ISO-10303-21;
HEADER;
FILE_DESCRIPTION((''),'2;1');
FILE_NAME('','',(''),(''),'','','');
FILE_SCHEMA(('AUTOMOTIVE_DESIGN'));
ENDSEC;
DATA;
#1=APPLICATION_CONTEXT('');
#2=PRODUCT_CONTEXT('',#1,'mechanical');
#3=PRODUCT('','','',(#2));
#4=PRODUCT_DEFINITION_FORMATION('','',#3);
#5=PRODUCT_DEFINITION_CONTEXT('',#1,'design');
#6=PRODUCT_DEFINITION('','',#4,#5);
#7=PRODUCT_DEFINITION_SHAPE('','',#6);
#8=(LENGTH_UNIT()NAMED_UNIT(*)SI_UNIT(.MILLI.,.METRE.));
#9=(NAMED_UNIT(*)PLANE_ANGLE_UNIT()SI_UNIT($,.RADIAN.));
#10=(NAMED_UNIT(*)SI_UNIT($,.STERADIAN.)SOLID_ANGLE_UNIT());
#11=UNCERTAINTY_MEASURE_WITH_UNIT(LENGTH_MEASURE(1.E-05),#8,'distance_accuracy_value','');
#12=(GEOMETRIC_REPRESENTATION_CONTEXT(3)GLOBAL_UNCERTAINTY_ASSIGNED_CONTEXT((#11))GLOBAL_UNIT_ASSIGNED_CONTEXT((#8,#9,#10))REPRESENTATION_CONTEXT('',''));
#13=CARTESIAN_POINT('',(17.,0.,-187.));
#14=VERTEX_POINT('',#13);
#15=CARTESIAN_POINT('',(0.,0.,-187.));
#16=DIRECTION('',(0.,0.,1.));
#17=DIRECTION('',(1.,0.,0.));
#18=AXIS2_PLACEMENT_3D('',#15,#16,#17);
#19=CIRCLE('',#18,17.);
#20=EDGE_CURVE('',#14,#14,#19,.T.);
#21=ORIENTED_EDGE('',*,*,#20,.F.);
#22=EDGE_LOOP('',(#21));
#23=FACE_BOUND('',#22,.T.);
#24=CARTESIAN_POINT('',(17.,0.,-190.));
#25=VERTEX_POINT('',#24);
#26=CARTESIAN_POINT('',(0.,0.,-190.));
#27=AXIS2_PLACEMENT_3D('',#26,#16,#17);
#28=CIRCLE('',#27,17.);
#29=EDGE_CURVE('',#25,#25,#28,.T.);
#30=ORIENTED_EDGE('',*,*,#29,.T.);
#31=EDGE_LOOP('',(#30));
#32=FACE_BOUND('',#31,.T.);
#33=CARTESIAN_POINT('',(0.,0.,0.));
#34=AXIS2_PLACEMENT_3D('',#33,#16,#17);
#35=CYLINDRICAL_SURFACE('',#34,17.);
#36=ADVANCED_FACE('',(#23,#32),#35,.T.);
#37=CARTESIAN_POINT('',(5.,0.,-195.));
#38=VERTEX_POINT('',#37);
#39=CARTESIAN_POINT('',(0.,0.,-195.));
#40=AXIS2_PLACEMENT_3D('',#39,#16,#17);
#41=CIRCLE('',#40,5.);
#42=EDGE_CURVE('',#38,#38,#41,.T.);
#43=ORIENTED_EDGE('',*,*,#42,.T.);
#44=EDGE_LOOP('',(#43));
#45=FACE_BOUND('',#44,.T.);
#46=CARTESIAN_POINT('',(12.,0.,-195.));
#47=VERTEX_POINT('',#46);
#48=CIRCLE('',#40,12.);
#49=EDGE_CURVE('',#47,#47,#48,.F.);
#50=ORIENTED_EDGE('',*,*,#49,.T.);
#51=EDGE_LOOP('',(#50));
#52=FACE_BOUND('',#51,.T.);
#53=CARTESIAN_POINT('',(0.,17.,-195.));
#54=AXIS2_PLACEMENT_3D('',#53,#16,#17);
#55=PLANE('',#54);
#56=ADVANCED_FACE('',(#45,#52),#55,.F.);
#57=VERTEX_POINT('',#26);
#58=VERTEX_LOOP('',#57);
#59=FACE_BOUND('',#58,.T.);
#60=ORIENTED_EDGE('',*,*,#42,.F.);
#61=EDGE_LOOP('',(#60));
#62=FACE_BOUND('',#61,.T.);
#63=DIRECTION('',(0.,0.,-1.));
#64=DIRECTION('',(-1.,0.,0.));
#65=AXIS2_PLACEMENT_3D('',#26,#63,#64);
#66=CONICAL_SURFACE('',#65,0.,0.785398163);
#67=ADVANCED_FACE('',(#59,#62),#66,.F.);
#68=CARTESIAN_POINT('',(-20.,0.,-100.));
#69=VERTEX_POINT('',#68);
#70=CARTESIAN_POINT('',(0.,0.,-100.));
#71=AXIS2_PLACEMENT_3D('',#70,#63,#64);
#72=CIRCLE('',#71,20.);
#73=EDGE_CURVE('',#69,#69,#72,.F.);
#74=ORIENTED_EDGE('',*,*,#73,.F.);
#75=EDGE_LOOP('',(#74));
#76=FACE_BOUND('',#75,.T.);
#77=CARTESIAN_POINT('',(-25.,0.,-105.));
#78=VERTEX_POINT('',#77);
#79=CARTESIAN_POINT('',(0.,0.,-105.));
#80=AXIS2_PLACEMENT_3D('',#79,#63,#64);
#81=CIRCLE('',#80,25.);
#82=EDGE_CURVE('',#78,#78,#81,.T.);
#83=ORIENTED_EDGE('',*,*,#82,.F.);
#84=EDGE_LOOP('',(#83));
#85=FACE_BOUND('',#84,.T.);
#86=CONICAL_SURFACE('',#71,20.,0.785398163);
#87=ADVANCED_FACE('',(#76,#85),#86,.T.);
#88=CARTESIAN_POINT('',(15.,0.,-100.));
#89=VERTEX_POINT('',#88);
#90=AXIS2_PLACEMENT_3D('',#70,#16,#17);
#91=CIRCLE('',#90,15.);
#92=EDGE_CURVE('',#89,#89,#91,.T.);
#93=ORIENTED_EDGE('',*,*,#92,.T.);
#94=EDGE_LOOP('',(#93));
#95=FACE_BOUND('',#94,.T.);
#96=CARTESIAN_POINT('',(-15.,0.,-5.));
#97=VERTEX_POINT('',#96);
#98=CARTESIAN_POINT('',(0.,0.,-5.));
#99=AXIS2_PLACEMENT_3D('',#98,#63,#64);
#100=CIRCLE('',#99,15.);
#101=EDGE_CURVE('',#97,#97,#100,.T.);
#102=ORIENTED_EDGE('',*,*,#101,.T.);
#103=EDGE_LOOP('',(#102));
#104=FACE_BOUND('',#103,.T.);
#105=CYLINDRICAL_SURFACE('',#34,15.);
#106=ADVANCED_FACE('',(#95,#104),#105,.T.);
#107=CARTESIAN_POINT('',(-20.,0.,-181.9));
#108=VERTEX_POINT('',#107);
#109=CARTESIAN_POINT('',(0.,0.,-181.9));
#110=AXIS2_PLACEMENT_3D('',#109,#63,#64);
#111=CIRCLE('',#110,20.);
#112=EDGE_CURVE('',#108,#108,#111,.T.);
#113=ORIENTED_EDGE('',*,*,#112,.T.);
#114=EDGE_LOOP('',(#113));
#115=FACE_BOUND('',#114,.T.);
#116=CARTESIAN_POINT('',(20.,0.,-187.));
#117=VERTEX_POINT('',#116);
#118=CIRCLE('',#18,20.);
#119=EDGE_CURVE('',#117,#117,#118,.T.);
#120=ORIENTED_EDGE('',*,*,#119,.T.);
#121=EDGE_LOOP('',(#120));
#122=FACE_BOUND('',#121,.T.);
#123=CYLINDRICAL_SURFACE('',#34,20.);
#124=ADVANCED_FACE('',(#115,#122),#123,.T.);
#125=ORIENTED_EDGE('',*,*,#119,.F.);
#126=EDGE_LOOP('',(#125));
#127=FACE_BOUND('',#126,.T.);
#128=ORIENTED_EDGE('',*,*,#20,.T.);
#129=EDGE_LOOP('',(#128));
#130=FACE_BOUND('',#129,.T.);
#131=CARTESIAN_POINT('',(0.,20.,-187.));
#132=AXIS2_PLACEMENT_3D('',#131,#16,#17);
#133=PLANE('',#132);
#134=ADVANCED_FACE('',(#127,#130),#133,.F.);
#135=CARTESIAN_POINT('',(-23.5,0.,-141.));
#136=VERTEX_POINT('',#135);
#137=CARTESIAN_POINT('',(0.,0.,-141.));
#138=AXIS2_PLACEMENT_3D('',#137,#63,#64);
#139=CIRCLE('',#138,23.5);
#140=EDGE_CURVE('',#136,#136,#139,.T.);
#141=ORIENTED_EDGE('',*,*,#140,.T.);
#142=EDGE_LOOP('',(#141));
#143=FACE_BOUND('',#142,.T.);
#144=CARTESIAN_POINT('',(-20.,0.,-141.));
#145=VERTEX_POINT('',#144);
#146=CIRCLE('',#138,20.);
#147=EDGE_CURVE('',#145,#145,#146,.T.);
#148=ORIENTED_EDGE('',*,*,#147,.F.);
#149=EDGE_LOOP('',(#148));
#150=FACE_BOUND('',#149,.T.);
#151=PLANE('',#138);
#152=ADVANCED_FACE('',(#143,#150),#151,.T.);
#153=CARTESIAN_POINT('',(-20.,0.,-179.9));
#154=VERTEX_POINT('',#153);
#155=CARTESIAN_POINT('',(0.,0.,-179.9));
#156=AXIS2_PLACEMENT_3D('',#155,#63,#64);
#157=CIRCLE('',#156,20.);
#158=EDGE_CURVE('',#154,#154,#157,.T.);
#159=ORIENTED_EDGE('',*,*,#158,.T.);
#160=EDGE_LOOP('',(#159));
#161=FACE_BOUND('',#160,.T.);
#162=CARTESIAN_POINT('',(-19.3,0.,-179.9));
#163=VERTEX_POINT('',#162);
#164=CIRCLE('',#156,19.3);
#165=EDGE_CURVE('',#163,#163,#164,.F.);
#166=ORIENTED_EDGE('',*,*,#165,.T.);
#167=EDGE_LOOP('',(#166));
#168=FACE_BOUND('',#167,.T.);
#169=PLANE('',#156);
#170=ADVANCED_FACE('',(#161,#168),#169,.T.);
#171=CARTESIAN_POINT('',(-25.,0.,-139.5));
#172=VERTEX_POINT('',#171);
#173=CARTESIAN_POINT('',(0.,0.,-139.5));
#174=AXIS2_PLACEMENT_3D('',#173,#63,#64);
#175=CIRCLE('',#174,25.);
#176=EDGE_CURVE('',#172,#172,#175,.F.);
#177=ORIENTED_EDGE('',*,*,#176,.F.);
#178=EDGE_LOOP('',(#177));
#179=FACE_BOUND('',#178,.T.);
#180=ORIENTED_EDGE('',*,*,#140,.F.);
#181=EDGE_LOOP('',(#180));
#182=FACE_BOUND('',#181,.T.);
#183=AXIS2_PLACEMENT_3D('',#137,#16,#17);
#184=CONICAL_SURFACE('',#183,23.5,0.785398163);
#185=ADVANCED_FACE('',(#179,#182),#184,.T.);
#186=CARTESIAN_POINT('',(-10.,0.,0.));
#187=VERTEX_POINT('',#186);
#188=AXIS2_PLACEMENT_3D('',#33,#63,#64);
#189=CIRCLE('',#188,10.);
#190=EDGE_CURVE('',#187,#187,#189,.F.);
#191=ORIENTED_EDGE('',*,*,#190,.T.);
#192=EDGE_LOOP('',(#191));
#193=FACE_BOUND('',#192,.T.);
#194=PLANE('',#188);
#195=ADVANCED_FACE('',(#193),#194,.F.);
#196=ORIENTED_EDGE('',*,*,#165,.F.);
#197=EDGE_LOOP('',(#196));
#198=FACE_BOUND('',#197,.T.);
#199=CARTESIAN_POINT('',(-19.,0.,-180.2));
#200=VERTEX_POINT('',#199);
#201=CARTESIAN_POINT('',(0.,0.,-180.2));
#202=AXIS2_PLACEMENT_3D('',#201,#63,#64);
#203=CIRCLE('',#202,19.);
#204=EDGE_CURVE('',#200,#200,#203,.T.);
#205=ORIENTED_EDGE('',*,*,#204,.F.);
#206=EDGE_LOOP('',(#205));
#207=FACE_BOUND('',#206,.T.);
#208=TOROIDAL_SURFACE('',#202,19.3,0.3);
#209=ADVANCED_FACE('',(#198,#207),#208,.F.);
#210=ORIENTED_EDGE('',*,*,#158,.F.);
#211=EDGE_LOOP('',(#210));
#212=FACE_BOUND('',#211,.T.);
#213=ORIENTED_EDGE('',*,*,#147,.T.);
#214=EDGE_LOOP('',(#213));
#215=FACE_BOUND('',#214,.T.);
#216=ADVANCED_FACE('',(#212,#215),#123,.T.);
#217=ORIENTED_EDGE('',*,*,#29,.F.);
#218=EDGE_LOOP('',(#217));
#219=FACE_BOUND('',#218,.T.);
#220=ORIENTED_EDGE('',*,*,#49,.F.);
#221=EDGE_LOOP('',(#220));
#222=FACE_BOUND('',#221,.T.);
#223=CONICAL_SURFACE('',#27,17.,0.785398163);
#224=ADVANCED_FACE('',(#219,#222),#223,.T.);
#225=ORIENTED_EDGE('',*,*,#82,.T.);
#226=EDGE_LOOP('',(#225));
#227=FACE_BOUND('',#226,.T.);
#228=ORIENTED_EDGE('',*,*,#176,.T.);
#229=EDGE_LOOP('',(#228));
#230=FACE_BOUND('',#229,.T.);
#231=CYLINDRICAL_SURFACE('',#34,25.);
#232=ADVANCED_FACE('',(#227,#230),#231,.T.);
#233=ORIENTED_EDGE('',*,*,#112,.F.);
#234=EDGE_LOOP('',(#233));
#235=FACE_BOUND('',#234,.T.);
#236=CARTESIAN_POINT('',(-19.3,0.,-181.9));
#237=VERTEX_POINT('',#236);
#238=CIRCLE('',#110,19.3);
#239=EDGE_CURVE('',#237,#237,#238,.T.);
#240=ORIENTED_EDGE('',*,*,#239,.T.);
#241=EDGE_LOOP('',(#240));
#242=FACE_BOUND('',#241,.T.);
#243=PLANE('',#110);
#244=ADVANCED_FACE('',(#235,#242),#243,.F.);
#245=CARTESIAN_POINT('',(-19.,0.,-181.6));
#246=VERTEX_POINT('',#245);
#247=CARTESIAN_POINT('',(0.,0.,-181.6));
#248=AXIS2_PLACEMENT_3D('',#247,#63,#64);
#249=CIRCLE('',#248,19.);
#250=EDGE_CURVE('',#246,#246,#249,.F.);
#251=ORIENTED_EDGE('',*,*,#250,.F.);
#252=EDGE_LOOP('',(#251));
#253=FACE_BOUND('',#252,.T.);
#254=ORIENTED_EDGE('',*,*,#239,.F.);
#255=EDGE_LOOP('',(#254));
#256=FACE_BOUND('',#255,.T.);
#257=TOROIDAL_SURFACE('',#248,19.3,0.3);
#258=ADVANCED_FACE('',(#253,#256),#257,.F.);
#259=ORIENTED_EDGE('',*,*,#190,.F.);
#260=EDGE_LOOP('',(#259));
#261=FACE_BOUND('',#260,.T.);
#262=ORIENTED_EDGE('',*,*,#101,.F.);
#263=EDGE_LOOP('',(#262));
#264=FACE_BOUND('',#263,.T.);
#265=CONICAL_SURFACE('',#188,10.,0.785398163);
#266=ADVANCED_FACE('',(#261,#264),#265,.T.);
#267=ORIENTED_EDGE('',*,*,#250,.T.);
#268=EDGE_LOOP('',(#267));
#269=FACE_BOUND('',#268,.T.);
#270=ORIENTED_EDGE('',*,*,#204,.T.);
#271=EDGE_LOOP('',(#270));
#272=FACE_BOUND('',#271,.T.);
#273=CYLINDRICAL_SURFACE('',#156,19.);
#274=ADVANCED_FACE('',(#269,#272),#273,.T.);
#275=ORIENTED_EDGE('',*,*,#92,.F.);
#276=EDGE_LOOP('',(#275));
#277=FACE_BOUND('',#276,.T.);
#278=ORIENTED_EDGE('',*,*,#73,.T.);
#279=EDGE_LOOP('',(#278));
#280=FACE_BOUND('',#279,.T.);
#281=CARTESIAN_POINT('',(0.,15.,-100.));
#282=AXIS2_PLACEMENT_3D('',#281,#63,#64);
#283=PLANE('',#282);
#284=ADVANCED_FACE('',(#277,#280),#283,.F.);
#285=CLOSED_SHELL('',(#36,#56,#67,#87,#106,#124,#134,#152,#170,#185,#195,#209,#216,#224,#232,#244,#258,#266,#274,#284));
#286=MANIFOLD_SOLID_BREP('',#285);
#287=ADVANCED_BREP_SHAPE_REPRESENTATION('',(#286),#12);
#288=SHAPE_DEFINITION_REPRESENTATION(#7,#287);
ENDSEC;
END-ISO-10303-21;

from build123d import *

# Parameters (mm, degrees)
CHAMFER_1_SIZE      = 5
SKETCH_4_R          = 20
SKETCH_4_R_2        = 19
CUT_EXTRUDE_1_DEPTH = 2
FILLET_1_R          = 0.3
CHAMFER_2_SIZE      = 1.5
SKETCH_9_R          = 25
SKETCH_9_R_2        = 20
CUT_EXTRUDE_4_DEPTH = 6
CHAMFER_3_SIZE      = 1.5


with BuildPart() as part:
    # Эскиз1 → Повернуть1 (revolve)
    with BuildSketch(Plane(origin=(0, 0, 0), x_dir=(0, 0, -1), z_dir=(1, 0, 0))):
        Polygon((0, 0), (0, 15), (100, 15), (100, 25), (147, 25), (147, 20), (187, 20), (187, 17), (195, 17), (195, 5), (190, 0), align=None)
    revolve(axis=Axis((0, 0, 0), (0, 0, -1)))

    # Фаска1
    chamfer_1_edges = [part.edges().sort_by_distance(p)[0] for p in [
        (0, -25, -100),
        (0, -15, 0),
        (0, -17, -195),
    ]]
    chamfer(chamfer_1_edges, length=CHAMFER_1_SIZE)

    # Эскиз4 → Вырез-Вытянуть1 (cut)
    with BuildSketch(Plane(origin=(0, 0, -181.9), x_dir=(-1, 0, 0), z_dir=(0, 0, -1))):
        Circle(SKETCH_4_R)
        Circle(SKETCH_4_R_2, mode=Mode.SUBTRACT)
    extrude(amount=-CUT_EXTRUDE_1_DEPTH, mode=Mode.SUBTRACT)

    # Скругление1
    fillet_1_edges = [part.edges().sort_by_distance(p)[0] for p in [
        (19, 0, -179.9),
        (19, 0, -181.9),
    ]]
    fillet(fillet_1_edges, radius=FILLET_1_R)

    # Фаска2
    chamfer_2_edges = [part.edges().sort_by_distance(p)[0] for p in [
        (0, -25, -147),
    ]]
    chamfer(chamfer_2_edges, length=CHAMFER_2_SIZE)

    # Эскиз9 → Вырез-Вытянуть4 (cut)
    with BuildSketch(Plane(origin=(0, 0, -147), x_dir=(-1, 0, 0), z_dir=(0, 0, -1))):
        Circle(SKETCH_9_R)
        Circle(SKETCH_9_R_2, mode=Mode.SUBTRACT)
    extrude(amount=-CUT_EXTRUDE_4_DEPTH, mode=Mode.SUBTRACT)

    # Фаска3
    chamfer_3_edges = [part.edges().sort_by_distance(p)[0] for p in [
        (0, -25, -141),
    ]]
    chamfer(chamfer_3_edges, length=CHAMFER_3_SIZE)


solid = part.part
